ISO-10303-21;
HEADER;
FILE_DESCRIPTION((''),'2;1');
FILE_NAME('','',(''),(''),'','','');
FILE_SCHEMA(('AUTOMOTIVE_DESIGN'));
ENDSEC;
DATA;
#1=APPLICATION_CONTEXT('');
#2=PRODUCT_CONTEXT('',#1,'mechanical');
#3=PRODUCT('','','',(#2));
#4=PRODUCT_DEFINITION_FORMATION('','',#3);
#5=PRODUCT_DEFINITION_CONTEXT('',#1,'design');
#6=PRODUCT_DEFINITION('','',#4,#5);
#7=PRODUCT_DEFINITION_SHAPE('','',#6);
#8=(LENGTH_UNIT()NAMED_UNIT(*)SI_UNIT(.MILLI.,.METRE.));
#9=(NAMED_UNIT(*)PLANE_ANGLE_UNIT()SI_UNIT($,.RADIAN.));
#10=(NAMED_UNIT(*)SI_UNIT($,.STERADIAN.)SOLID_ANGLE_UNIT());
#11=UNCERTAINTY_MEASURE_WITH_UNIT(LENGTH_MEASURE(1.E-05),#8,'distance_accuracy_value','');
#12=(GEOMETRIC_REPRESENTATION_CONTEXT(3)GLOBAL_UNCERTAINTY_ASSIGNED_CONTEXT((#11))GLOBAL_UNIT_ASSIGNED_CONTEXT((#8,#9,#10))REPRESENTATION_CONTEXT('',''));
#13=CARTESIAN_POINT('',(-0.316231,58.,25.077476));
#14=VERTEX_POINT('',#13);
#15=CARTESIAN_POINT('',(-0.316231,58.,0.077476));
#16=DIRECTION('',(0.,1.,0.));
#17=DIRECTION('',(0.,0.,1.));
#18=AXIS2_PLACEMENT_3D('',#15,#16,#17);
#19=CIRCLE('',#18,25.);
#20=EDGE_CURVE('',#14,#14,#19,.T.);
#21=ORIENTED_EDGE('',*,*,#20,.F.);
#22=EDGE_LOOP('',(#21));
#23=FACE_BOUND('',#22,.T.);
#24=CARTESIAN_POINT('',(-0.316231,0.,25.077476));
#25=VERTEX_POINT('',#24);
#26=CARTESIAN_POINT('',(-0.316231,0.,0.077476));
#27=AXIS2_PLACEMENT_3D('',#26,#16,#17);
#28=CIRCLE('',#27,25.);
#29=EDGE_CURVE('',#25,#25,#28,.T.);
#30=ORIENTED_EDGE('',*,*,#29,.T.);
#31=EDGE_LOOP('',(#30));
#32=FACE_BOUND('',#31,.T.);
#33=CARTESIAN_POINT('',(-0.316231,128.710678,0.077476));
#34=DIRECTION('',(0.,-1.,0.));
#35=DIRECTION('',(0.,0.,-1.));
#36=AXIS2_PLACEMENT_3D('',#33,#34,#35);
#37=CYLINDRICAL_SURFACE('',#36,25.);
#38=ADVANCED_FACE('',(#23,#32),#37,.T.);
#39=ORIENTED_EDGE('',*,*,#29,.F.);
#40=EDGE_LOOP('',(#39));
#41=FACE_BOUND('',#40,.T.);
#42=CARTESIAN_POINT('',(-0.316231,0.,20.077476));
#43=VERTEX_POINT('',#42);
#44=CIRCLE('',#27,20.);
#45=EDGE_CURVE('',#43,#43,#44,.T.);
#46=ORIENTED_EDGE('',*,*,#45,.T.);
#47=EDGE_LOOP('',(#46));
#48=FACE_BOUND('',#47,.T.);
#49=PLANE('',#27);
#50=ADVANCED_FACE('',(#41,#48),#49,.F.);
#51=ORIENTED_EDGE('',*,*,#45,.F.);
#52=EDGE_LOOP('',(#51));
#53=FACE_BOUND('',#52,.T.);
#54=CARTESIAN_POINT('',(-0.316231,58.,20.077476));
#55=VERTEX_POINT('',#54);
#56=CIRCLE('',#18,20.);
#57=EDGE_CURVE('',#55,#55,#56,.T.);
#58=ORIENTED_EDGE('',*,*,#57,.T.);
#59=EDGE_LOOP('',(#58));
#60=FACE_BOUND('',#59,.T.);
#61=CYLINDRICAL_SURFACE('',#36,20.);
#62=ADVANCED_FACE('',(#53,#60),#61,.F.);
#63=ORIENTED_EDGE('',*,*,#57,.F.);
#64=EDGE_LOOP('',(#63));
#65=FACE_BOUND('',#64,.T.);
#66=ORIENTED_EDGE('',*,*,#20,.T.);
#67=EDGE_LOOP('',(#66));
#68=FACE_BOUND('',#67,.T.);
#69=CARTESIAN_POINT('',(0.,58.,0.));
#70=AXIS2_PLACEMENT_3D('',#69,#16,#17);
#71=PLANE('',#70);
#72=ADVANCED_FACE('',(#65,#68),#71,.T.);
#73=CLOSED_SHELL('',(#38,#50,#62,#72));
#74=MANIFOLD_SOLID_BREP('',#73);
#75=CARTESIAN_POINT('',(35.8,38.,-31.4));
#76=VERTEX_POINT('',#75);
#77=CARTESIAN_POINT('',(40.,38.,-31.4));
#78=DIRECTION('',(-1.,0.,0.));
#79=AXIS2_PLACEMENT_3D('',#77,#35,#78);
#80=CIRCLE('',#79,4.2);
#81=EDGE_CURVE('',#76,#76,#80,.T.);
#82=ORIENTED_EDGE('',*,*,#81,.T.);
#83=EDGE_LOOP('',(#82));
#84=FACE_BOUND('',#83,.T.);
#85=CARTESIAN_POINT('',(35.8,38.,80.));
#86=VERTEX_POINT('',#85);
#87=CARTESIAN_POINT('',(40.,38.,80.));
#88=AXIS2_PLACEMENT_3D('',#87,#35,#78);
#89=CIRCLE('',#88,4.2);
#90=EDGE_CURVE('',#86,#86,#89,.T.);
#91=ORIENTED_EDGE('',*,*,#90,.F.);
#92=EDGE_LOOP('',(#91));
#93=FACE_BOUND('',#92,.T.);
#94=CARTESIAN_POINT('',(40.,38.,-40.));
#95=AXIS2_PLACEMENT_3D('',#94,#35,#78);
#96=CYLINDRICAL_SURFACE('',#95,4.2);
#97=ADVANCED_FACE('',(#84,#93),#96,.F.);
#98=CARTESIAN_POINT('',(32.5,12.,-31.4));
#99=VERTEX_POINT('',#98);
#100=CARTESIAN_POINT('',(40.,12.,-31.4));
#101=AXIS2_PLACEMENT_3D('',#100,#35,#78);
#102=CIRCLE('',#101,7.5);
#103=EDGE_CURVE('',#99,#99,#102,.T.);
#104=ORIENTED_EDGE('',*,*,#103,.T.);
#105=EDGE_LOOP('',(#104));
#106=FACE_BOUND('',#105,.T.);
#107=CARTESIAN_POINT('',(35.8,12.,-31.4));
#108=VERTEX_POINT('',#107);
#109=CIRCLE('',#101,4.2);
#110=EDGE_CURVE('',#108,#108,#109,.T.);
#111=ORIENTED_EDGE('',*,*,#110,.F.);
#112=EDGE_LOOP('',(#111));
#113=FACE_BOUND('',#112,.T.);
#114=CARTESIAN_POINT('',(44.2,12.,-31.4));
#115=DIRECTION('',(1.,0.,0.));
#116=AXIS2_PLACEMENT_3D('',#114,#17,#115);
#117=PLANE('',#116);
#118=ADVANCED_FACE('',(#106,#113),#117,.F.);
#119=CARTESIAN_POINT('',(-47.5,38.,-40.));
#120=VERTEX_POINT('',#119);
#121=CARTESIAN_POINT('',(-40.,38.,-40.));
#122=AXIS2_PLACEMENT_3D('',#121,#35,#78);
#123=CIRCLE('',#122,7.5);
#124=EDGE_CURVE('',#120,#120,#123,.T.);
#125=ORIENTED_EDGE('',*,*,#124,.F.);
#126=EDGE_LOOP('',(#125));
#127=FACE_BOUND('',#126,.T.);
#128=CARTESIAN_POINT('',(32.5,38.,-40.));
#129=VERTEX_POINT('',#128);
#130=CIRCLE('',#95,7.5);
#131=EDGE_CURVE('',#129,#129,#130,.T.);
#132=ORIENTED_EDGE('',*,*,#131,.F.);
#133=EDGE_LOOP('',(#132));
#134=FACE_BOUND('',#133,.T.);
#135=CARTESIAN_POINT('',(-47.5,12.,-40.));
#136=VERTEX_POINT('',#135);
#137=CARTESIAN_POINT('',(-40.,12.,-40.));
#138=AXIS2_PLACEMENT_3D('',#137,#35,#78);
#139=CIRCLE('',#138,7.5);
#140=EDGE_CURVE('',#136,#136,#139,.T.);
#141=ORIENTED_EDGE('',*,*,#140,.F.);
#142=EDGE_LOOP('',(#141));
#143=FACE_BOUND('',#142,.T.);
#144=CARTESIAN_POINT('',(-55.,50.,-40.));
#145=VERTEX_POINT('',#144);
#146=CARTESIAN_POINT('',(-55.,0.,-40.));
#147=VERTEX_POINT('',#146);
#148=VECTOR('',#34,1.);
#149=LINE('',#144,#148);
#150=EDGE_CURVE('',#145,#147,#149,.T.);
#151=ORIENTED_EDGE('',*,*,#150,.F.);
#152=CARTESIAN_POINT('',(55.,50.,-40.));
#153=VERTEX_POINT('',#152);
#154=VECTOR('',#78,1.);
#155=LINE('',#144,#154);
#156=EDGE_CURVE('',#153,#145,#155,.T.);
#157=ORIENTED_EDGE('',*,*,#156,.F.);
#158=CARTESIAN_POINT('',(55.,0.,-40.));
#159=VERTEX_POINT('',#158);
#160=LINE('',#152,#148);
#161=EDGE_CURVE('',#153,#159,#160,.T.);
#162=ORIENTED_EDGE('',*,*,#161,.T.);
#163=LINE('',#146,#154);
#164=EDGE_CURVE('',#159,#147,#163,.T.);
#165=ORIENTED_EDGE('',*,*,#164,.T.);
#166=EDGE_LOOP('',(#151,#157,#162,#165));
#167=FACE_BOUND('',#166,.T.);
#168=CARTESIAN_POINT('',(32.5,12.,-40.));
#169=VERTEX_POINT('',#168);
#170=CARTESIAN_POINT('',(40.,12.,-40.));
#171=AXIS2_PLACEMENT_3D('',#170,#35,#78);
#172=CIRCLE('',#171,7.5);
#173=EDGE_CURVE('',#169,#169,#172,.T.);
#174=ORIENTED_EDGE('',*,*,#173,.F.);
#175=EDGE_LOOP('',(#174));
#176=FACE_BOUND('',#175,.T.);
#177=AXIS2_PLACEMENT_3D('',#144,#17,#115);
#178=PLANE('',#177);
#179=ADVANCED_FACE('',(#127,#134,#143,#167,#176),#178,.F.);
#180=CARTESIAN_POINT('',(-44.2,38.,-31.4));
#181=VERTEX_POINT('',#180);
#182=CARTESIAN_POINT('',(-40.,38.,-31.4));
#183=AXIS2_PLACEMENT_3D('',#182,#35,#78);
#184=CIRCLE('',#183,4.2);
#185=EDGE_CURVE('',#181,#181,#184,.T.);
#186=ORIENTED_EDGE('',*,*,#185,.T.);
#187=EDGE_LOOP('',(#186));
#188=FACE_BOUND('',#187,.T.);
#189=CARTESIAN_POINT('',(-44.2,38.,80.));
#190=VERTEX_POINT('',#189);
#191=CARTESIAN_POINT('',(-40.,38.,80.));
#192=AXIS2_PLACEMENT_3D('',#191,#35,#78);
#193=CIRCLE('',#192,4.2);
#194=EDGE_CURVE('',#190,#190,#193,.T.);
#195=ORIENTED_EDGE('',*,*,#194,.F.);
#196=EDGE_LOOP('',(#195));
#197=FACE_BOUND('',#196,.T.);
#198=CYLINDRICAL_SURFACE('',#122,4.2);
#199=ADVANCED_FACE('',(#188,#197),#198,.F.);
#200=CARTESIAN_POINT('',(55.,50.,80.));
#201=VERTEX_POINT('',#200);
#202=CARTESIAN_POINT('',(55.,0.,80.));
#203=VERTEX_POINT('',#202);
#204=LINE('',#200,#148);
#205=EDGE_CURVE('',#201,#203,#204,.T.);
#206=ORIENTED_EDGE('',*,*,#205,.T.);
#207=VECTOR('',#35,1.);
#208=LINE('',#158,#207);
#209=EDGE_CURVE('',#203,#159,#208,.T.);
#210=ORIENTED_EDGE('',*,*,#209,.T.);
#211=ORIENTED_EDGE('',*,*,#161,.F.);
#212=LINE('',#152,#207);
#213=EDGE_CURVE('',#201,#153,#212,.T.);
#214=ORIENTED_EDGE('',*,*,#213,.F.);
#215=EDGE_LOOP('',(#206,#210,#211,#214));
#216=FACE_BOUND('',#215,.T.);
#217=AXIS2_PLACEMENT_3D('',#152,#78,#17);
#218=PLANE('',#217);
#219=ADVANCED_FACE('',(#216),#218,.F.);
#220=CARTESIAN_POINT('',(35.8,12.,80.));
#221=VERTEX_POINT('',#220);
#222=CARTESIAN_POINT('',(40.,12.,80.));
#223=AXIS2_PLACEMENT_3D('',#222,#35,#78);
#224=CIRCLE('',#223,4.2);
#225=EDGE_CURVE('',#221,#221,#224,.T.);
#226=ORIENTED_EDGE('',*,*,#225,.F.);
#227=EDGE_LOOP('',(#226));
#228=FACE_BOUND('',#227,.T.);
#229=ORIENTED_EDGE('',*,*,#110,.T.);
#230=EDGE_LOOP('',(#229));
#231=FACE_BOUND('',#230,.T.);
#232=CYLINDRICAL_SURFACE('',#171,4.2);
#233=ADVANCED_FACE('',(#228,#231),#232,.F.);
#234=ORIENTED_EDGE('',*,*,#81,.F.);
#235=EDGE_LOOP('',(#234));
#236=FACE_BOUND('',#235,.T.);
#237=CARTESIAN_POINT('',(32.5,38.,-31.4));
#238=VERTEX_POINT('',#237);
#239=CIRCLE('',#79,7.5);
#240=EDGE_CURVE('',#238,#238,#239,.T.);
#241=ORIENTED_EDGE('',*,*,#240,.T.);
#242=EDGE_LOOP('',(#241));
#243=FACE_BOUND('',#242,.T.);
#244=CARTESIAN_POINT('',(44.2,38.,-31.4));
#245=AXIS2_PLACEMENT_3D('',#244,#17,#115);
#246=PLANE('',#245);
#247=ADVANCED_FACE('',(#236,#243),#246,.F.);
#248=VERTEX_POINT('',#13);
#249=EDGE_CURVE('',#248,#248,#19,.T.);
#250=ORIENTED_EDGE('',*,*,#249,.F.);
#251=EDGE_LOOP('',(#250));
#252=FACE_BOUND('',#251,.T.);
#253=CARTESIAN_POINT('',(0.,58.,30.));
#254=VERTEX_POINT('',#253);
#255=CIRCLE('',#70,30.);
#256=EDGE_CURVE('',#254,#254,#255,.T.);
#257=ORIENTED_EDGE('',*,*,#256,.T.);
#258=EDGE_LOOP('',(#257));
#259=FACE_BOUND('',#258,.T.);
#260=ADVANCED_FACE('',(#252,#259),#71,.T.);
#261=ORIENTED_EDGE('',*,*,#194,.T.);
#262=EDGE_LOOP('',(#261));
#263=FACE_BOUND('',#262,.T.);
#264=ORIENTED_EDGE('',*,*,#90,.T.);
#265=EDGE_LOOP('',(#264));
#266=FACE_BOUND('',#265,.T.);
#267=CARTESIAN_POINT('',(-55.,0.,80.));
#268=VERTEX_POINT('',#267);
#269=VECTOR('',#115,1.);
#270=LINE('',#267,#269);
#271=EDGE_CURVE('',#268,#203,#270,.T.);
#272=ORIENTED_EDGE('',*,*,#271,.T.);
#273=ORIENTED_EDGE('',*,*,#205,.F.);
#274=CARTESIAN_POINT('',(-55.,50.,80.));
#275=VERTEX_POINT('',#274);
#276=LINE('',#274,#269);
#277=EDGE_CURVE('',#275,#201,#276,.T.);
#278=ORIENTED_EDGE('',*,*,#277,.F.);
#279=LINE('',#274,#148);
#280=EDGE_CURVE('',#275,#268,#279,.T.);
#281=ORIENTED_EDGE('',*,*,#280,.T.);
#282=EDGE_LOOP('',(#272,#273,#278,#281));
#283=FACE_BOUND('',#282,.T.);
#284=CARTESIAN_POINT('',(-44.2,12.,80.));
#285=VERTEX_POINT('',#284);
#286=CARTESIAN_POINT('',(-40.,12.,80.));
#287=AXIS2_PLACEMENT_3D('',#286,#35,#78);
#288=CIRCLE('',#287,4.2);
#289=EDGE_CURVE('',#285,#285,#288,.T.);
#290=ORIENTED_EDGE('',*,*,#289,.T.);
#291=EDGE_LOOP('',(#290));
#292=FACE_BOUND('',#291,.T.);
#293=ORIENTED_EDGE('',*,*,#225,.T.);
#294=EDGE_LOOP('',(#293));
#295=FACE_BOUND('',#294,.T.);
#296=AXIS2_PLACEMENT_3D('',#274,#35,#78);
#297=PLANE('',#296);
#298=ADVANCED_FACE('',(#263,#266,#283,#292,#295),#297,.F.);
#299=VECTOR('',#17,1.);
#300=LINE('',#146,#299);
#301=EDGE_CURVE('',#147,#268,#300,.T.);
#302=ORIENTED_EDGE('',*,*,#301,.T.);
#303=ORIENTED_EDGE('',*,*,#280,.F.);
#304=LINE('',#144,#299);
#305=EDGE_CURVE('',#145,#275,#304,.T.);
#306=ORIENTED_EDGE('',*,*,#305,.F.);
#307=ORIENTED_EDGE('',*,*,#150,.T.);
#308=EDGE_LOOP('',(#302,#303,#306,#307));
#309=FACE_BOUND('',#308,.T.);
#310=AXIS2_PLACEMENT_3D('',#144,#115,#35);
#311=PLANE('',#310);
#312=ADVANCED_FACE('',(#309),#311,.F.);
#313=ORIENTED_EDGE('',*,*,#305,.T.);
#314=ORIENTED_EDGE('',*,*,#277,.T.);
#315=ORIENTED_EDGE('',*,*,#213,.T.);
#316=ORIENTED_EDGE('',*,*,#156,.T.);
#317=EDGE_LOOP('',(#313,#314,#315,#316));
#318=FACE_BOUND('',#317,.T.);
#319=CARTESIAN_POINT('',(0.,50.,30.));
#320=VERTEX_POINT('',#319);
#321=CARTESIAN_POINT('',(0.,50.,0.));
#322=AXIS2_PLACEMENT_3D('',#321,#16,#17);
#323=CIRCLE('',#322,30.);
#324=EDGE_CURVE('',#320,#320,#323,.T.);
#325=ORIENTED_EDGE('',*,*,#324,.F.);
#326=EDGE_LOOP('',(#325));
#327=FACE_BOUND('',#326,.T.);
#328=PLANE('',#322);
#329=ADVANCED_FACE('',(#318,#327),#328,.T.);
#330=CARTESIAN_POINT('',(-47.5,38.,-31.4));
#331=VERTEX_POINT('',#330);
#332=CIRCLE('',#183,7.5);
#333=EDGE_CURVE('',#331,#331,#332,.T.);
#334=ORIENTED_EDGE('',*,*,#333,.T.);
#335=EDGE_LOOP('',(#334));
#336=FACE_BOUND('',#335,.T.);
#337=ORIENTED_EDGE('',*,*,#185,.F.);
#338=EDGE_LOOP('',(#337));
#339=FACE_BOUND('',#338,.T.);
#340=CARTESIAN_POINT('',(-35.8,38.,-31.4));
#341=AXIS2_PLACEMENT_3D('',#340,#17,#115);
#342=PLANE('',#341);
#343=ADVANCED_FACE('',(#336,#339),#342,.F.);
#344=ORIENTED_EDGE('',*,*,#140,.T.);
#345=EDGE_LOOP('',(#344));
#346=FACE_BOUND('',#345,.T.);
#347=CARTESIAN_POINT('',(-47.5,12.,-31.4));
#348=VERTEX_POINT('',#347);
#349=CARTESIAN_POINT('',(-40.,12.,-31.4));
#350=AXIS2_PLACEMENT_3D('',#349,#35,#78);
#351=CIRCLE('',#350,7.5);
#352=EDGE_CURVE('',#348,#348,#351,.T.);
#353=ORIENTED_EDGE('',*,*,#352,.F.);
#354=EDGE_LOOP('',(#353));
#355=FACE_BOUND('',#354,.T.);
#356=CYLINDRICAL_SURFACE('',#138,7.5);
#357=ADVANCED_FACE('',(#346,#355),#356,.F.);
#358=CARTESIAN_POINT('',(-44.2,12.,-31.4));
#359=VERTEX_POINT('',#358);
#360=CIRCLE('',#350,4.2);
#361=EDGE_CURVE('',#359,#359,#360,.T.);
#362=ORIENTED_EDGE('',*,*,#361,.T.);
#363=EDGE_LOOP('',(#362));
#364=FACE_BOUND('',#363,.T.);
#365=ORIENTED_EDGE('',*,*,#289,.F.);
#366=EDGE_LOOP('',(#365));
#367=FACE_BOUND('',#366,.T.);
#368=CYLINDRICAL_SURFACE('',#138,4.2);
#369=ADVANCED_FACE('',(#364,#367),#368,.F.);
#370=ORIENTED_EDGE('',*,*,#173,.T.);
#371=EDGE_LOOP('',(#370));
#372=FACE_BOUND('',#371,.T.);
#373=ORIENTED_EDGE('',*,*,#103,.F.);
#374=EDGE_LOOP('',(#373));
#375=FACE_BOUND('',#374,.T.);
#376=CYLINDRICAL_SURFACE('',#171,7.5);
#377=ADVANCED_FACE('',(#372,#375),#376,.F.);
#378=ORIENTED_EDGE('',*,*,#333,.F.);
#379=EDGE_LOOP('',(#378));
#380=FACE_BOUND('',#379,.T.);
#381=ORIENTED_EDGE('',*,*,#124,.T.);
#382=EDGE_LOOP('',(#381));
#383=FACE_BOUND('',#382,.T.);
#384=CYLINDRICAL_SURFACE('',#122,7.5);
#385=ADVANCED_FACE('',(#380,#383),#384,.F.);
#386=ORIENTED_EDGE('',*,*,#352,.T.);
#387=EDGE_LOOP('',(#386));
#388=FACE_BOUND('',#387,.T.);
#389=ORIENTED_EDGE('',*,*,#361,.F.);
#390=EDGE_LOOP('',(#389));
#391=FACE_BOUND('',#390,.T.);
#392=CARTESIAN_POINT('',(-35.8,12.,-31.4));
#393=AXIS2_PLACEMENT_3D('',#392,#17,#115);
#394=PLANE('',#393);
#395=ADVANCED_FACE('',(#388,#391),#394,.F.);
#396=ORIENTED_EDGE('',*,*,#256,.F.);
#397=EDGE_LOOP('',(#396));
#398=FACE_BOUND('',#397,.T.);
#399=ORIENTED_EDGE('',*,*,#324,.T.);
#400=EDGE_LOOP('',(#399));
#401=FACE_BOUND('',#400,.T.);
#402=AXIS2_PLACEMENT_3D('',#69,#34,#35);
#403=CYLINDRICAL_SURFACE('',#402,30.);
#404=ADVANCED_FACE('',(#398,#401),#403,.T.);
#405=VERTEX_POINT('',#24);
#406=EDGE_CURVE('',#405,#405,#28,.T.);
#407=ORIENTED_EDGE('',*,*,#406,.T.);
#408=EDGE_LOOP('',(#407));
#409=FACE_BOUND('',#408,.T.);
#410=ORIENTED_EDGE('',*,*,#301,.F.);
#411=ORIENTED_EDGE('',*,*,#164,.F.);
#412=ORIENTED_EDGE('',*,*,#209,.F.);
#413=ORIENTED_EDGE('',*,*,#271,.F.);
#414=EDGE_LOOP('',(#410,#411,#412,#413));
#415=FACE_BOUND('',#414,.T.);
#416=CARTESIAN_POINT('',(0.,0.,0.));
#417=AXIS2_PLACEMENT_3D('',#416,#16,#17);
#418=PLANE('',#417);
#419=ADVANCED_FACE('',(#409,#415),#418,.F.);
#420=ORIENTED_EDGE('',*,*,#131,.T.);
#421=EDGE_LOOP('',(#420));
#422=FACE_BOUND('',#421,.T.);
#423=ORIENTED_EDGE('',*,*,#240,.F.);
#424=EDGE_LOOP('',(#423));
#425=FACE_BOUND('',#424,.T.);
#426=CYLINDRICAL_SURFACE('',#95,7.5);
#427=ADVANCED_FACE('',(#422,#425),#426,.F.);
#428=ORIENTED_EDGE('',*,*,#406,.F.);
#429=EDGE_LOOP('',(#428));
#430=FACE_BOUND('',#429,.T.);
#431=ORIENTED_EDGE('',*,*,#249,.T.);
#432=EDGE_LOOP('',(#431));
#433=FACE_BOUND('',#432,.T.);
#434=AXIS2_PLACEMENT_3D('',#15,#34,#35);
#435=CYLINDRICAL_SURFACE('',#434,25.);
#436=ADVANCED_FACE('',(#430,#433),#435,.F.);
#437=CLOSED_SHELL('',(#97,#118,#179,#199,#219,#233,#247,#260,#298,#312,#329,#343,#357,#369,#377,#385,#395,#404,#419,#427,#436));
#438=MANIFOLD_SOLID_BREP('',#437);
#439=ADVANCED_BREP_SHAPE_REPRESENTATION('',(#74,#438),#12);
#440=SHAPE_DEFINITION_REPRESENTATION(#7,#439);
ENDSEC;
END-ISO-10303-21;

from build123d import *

# Parameters (mm, degrees)
SKETCH1_W                                           = 110
SKETCH1_H                                           = 120
GUIDE_BLOCK_DEPTH                                   = 50
SKETCH2_R                                           = 30
SKETCH2_R_2                                         = 25
BUSH_BOSS_DEPTH                                     = 8
SKETCH3_R                                           = 25
CUT_EXTRUDE1_DEPTH                                  = 110.201648339
CBORE_FOR_M8_HEX_SOCKET_HEAD_CAP_SCREW1_D           = 8.4
CBORE_FOR_M8_HEX_SOCKET_HEAD_CAP_SCREW1_CBORE_D     = 15
CBORE_FOR_M8_HEX_SOCKET_HEAD_CAP_SCREW1_CBORE_DEPTH = 8.6
SKETCH8_R                                           = 25
SKETCH8_R_2                                         = 20
BOSS_EXTRUDE3_DEPTH                                 = 58


with BuildPart() as part:
    # Sketch1 → GUIDE_BLOCK (new body)
    with BuildSketch(Plane(origin=(0, 0, 0), x_dir=(1, 0, 0), z_dir=(0, 1, 0))):
        with Locations((0, -20)):
            Rectangle(SKETCH1_W, SKETCH1_H)
    extrude(amount=GUIDE_BLOCK_DEPTH)

    # Sketch2 → BUSH_BOSS (add)
    with BuildSketch(Plane(origin=(0, 50, 0), x_dir=(1, 0, 0), z_dir=(0, 1, 0))):
        with Locations(Location((0, 0, 0), (0, 0, 270))):
            Circle(SKETCH2_R)
        with Locations(Location((-0.316230532, -0.07747648, 0), (0, 0, 270))):
            Circle(SKETCH2_R_2, mode=Mode.SUBTRACT)
    extrude(amount=BUSH_BOSS_DEPTH)

    # Sketch3 → Cut-Extrude1 (cut, through all)
    with BuildSketch(Plane(origin=(0, 50, 0), x_dir=(1, 0, 0), z_dir=(0, 1, 0))):
        with Locations(Location((-0.316230532, -0.07747648, 0), (0, 0, 270))):
            Circle(SKETCH3_R)
    extrude(amount=-CUT_EXTRUDE1_DEPTH, mode=Mode.SUBTRACT)

    # CBORE for M8 Hex Socket Head Cap Screw1 (through all)
    with Locations(Plane(origin=(0, 0, -40), x_dir=(-1, 0, 0), z_dir=(0, 0, -1))):
        with Locations((-40, 38), (40, 38), (-40, 12), (40, 12)):
            CounterBoreHole(CBORE_FOR_M8_HEX_SOCKET_HEAD_CAP_SCREW1_D / 2, CBORE_FOR_M8_HEX_SOCKET_HEAD_CAP_SCREW1_CBORE_D / 2, CBORE_FOR_M8_HEX_SOCKET_HEAD_CAP_SCREW1_CBORE_DEPTH)


with BuildPart() as body_2:
    # Sketch8 → Boss-Extrude3 (new body)
    with BuildSketch(Plane(origin=(0, 0, 0), x_dir=(1, 0, 0), z_dir=(0, 1, 0))):
        with Locations(Location((-0.316230532, -0.07747648, 0), (0, 0, 270))):
            Circle(SKETCH8_R)
        with Locations(Location((-0.316230532, -0.07747648, 0), (0, 0, 270))):
            Circle(SKETCH8_R_2, mode=Mode.SUBTRACT)
    extrude(amount=BOSS_EXTRUDE3_DEPTH)


solid = Compound([part.part, body_2.part])
